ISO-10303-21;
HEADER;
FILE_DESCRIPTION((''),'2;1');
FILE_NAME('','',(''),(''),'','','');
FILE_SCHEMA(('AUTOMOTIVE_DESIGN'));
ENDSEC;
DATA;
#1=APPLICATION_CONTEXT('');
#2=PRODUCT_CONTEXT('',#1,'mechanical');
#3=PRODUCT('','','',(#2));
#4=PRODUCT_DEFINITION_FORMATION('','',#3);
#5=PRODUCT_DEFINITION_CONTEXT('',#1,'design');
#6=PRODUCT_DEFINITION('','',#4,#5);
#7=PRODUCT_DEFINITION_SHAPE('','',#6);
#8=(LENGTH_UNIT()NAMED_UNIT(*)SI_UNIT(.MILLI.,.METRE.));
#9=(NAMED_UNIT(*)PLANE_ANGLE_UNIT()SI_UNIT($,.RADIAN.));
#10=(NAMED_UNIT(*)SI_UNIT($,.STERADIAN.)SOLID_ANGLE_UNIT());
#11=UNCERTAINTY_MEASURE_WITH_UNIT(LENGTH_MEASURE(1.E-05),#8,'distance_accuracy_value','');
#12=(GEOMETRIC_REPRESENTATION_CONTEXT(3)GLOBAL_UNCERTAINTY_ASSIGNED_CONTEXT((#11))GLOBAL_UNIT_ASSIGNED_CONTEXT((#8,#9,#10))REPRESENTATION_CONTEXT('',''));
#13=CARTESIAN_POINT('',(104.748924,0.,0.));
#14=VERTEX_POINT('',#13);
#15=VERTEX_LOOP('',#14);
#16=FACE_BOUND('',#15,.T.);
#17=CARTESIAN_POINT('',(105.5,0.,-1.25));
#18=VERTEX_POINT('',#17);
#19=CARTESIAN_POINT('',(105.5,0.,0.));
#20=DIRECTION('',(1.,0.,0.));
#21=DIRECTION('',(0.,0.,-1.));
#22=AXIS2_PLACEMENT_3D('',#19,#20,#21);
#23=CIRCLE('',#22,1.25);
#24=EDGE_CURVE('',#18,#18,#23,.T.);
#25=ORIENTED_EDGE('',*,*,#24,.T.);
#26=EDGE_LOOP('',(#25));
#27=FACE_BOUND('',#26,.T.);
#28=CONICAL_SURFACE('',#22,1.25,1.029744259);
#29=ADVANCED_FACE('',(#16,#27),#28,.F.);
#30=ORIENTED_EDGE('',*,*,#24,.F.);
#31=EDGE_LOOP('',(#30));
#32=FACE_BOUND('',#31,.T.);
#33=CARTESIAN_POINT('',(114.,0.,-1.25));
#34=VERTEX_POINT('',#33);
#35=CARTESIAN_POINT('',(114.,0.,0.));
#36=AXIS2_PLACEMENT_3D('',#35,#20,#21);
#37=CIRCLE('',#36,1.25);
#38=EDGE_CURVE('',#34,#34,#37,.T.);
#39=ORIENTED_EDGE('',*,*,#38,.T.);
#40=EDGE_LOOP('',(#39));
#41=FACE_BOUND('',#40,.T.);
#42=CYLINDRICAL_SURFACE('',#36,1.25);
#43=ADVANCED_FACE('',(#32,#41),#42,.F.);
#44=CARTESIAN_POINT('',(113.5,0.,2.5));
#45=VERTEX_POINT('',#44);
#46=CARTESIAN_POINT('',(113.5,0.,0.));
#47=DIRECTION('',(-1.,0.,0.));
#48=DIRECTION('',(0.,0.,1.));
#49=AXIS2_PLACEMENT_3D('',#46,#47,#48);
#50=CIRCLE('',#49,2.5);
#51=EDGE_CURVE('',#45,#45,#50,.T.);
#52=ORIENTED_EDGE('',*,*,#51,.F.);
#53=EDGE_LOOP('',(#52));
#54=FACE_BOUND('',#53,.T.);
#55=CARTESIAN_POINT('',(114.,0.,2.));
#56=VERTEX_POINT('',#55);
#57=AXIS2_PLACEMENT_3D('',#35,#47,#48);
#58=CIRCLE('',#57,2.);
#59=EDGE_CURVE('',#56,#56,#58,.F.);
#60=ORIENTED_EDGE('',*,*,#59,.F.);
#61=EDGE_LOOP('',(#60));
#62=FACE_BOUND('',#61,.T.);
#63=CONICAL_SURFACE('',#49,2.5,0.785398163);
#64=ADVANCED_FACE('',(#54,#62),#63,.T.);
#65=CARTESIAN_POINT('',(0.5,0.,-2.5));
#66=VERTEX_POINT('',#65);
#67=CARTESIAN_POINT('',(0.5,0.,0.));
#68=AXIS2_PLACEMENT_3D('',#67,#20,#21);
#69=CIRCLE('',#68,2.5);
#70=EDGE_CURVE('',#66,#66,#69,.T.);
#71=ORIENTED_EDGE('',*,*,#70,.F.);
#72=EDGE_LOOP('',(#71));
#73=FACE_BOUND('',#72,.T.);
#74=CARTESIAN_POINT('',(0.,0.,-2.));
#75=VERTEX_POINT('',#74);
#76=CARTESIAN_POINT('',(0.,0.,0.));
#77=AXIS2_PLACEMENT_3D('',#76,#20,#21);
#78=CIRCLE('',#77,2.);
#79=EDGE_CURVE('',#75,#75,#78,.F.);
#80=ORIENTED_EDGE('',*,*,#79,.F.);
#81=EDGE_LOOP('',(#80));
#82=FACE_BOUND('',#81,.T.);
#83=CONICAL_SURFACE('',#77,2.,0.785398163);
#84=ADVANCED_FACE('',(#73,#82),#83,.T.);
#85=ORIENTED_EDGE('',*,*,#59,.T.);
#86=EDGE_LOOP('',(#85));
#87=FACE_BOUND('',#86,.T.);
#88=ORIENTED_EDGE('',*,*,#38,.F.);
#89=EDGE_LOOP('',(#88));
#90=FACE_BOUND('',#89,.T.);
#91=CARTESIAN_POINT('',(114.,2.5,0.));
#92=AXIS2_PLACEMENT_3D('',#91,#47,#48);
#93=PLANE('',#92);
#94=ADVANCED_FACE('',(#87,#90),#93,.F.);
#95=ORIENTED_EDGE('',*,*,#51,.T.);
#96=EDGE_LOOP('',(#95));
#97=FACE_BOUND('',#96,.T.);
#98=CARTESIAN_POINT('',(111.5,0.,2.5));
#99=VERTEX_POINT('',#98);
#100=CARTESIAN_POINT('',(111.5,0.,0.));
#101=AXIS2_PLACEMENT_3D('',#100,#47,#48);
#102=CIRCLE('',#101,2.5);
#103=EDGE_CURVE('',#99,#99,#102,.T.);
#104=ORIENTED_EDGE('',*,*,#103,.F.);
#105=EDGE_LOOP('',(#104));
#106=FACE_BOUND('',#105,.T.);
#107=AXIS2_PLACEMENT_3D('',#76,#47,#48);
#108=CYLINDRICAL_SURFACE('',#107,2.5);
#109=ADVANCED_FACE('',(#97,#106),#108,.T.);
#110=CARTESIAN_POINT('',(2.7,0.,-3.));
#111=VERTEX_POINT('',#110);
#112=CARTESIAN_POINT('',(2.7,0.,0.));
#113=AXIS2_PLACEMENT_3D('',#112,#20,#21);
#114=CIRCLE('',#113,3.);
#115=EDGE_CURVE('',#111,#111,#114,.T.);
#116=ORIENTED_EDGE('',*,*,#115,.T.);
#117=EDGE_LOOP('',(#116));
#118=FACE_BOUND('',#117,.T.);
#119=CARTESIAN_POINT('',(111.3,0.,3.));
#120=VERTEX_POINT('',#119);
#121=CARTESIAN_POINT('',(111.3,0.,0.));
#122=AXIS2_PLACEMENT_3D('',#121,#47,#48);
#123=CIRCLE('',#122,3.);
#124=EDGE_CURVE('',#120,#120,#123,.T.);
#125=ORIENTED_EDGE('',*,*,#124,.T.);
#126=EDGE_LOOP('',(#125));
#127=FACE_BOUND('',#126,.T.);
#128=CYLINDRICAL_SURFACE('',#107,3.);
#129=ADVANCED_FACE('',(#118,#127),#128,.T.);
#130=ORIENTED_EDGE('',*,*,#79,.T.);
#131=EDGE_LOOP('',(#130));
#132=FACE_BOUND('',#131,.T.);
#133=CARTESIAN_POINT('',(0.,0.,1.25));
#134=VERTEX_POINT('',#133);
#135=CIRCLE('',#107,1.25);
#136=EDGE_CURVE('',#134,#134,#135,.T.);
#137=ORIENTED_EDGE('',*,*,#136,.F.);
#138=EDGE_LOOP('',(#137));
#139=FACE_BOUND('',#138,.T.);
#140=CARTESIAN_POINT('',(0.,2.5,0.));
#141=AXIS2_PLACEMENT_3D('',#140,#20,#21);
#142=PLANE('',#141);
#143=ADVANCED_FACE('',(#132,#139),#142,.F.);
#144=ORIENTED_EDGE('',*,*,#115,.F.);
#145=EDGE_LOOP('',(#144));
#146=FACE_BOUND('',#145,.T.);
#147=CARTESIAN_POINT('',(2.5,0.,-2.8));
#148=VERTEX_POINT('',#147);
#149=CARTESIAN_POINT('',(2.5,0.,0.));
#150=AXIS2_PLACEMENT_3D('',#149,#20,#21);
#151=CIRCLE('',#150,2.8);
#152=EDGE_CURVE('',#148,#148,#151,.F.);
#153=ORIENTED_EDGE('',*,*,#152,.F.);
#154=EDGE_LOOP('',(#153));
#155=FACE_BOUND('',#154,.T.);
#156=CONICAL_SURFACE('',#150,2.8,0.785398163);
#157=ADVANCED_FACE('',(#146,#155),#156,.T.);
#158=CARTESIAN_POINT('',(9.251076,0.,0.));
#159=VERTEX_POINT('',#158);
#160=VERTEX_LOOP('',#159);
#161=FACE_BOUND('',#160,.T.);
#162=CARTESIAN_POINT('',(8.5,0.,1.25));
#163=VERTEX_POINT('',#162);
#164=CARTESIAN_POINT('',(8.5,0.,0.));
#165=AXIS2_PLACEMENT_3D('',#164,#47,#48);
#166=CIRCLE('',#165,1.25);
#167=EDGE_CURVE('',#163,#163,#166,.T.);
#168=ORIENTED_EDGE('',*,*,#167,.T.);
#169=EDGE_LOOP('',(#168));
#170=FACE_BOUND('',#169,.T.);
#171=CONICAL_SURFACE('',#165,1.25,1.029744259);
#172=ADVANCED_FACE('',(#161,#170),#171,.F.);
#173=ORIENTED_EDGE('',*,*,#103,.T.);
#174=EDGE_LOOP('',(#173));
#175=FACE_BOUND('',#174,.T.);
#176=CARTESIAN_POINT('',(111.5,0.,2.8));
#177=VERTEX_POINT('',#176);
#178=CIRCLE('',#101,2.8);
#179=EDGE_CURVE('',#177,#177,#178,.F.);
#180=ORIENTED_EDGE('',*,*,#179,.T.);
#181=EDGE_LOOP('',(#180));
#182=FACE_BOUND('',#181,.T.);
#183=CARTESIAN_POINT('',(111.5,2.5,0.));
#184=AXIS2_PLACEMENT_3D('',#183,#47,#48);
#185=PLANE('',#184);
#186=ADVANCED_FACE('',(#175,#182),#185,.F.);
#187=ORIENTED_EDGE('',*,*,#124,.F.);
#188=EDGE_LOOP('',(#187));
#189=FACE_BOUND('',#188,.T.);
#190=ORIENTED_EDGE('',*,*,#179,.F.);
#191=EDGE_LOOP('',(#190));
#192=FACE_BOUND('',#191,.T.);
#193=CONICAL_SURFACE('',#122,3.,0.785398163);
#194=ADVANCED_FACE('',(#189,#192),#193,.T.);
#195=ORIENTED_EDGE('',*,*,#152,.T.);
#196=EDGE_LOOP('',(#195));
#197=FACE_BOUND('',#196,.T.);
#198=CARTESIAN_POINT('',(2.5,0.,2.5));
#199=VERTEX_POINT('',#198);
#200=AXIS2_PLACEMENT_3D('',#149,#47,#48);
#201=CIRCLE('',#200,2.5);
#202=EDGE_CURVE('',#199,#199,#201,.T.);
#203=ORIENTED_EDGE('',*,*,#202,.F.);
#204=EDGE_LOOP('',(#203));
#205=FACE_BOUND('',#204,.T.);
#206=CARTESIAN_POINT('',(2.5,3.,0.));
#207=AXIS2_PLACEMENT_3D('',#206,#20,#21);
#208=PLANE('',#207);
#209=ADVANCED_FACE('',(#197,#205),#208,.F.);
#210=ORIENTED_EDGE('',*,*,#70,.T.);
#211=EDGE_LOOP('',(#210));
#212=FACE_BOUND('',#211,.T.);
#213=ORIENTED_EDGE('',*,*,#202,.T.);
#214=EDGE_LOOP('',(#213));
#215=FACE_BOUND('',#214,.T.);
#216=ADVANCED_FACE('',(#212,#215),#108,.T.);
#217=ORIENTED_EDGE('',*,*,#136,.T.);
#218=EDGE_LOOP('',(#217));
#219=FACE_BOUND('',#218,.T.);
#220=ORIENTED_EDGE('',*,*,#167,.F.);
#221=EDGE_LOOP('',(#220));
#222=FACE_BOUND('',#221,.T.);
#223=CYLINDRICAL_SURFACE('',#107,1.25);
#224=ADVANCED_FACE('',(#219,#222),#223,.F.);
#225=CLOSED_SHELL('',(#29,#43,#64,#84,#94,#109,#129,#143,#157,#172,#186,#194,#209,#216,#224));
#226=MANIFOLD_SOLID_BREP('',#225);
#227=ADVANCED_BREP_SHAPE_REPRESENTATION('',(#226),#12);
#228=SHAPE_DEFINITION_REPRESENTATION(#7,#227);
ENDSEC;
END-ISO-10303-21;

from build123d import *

# Parameters (mm, degrees)
TAPPED_HOLE1_D     = 2.5
TAPPED_HOLE1_DEPTH = 8.5
TAPPED_HOLE1_TIP   = 0.751075774
TAPPED_HOLE2_D     = 2.5
TAPPED_HOLE2_DEPTH = 8.5
TAPPED_HOLE2_TIP   = 0.751075774
CHAMFER1_SIZE      = 0.2
CHAMFER2_SIZE      = 0.2
CHAMFER3_SIZE      = 0.5


with BuildPart() as part:
    # Sketch1 → Revolve1 (revolve)
    with BuildSketch(Plane.XY):
        Polygon((0, 0), (114, 0), (114, 2.5), (111.5, 2.5), (111.5, 3), (2.5, 3), (2.5, 2.5), (0, 2.5), align=None)
    revolve(axis=Axis((0, 0, 0), (1, 0, 0)))

    # Tapped Hole1
    with Locations(Plane.ZY):
        with Locations((0, 0)):
            Hole(TAPPED_HOLE1_D / 2, depth=TAPPED_HOLE1_DEPTH)
            with Locations((0, 0, -(TAPPED_HOLE1_DEPTH + TAPPED_HOLE1_TIP / 2))):  # 118° drill point
                Cone(0, TAPPED_HOLE1_D / 2, TAPPED_HOLE1_TIP, mode=Mode.SUBTRACT)

    # Tapped Hole2
    with Locations(Plane(origin=(114, 0, 0), x_dir=(0, 0, -1), z_dir=(1, 0, 0))):
        with Locations((0, 0)):
            Hole(TAPPED_HOLE2_D / 2, depth=TAPPED_HOLE2_DEPTH)
            with Locations((0, 0, -(TAPPED_HOLE2_DEPTH + TAPPED_HOLE2_TIP / 2))):  # 118° drill point
                Cone(0, TAPPED_HOLE2_D / 2, TAPPED_HOLE2_TIP, mode=Mode.SUBTRACT)

    # Chamfer1
    chamfer1_edges = [part.edges().sort_by_distance(p)[0] for p in [
        (111.5, -3, 0),
    ]]
    chamfer(chamfer1_edges, length=CHAMFER1_SIZE)

    # Chamfer2
    chamfer2_edges = [part.edges().sort_by_distance(p)[0] for p in [
        (2.5, -3, 0),
    ]]
    chamfer(chamfer2_edges, length=CHAMFER2_SIZE)

    # Chamfer3
    chamfer3_edges = [part.edges().sort_by_distance(p)[0] for p in [
        (114, -2.5, 0),
        (0, -2.5, 0),
    ]]
    chamfer(chamfer3_edges, length=CHAMFER3_SIZE)


solid = part.part
